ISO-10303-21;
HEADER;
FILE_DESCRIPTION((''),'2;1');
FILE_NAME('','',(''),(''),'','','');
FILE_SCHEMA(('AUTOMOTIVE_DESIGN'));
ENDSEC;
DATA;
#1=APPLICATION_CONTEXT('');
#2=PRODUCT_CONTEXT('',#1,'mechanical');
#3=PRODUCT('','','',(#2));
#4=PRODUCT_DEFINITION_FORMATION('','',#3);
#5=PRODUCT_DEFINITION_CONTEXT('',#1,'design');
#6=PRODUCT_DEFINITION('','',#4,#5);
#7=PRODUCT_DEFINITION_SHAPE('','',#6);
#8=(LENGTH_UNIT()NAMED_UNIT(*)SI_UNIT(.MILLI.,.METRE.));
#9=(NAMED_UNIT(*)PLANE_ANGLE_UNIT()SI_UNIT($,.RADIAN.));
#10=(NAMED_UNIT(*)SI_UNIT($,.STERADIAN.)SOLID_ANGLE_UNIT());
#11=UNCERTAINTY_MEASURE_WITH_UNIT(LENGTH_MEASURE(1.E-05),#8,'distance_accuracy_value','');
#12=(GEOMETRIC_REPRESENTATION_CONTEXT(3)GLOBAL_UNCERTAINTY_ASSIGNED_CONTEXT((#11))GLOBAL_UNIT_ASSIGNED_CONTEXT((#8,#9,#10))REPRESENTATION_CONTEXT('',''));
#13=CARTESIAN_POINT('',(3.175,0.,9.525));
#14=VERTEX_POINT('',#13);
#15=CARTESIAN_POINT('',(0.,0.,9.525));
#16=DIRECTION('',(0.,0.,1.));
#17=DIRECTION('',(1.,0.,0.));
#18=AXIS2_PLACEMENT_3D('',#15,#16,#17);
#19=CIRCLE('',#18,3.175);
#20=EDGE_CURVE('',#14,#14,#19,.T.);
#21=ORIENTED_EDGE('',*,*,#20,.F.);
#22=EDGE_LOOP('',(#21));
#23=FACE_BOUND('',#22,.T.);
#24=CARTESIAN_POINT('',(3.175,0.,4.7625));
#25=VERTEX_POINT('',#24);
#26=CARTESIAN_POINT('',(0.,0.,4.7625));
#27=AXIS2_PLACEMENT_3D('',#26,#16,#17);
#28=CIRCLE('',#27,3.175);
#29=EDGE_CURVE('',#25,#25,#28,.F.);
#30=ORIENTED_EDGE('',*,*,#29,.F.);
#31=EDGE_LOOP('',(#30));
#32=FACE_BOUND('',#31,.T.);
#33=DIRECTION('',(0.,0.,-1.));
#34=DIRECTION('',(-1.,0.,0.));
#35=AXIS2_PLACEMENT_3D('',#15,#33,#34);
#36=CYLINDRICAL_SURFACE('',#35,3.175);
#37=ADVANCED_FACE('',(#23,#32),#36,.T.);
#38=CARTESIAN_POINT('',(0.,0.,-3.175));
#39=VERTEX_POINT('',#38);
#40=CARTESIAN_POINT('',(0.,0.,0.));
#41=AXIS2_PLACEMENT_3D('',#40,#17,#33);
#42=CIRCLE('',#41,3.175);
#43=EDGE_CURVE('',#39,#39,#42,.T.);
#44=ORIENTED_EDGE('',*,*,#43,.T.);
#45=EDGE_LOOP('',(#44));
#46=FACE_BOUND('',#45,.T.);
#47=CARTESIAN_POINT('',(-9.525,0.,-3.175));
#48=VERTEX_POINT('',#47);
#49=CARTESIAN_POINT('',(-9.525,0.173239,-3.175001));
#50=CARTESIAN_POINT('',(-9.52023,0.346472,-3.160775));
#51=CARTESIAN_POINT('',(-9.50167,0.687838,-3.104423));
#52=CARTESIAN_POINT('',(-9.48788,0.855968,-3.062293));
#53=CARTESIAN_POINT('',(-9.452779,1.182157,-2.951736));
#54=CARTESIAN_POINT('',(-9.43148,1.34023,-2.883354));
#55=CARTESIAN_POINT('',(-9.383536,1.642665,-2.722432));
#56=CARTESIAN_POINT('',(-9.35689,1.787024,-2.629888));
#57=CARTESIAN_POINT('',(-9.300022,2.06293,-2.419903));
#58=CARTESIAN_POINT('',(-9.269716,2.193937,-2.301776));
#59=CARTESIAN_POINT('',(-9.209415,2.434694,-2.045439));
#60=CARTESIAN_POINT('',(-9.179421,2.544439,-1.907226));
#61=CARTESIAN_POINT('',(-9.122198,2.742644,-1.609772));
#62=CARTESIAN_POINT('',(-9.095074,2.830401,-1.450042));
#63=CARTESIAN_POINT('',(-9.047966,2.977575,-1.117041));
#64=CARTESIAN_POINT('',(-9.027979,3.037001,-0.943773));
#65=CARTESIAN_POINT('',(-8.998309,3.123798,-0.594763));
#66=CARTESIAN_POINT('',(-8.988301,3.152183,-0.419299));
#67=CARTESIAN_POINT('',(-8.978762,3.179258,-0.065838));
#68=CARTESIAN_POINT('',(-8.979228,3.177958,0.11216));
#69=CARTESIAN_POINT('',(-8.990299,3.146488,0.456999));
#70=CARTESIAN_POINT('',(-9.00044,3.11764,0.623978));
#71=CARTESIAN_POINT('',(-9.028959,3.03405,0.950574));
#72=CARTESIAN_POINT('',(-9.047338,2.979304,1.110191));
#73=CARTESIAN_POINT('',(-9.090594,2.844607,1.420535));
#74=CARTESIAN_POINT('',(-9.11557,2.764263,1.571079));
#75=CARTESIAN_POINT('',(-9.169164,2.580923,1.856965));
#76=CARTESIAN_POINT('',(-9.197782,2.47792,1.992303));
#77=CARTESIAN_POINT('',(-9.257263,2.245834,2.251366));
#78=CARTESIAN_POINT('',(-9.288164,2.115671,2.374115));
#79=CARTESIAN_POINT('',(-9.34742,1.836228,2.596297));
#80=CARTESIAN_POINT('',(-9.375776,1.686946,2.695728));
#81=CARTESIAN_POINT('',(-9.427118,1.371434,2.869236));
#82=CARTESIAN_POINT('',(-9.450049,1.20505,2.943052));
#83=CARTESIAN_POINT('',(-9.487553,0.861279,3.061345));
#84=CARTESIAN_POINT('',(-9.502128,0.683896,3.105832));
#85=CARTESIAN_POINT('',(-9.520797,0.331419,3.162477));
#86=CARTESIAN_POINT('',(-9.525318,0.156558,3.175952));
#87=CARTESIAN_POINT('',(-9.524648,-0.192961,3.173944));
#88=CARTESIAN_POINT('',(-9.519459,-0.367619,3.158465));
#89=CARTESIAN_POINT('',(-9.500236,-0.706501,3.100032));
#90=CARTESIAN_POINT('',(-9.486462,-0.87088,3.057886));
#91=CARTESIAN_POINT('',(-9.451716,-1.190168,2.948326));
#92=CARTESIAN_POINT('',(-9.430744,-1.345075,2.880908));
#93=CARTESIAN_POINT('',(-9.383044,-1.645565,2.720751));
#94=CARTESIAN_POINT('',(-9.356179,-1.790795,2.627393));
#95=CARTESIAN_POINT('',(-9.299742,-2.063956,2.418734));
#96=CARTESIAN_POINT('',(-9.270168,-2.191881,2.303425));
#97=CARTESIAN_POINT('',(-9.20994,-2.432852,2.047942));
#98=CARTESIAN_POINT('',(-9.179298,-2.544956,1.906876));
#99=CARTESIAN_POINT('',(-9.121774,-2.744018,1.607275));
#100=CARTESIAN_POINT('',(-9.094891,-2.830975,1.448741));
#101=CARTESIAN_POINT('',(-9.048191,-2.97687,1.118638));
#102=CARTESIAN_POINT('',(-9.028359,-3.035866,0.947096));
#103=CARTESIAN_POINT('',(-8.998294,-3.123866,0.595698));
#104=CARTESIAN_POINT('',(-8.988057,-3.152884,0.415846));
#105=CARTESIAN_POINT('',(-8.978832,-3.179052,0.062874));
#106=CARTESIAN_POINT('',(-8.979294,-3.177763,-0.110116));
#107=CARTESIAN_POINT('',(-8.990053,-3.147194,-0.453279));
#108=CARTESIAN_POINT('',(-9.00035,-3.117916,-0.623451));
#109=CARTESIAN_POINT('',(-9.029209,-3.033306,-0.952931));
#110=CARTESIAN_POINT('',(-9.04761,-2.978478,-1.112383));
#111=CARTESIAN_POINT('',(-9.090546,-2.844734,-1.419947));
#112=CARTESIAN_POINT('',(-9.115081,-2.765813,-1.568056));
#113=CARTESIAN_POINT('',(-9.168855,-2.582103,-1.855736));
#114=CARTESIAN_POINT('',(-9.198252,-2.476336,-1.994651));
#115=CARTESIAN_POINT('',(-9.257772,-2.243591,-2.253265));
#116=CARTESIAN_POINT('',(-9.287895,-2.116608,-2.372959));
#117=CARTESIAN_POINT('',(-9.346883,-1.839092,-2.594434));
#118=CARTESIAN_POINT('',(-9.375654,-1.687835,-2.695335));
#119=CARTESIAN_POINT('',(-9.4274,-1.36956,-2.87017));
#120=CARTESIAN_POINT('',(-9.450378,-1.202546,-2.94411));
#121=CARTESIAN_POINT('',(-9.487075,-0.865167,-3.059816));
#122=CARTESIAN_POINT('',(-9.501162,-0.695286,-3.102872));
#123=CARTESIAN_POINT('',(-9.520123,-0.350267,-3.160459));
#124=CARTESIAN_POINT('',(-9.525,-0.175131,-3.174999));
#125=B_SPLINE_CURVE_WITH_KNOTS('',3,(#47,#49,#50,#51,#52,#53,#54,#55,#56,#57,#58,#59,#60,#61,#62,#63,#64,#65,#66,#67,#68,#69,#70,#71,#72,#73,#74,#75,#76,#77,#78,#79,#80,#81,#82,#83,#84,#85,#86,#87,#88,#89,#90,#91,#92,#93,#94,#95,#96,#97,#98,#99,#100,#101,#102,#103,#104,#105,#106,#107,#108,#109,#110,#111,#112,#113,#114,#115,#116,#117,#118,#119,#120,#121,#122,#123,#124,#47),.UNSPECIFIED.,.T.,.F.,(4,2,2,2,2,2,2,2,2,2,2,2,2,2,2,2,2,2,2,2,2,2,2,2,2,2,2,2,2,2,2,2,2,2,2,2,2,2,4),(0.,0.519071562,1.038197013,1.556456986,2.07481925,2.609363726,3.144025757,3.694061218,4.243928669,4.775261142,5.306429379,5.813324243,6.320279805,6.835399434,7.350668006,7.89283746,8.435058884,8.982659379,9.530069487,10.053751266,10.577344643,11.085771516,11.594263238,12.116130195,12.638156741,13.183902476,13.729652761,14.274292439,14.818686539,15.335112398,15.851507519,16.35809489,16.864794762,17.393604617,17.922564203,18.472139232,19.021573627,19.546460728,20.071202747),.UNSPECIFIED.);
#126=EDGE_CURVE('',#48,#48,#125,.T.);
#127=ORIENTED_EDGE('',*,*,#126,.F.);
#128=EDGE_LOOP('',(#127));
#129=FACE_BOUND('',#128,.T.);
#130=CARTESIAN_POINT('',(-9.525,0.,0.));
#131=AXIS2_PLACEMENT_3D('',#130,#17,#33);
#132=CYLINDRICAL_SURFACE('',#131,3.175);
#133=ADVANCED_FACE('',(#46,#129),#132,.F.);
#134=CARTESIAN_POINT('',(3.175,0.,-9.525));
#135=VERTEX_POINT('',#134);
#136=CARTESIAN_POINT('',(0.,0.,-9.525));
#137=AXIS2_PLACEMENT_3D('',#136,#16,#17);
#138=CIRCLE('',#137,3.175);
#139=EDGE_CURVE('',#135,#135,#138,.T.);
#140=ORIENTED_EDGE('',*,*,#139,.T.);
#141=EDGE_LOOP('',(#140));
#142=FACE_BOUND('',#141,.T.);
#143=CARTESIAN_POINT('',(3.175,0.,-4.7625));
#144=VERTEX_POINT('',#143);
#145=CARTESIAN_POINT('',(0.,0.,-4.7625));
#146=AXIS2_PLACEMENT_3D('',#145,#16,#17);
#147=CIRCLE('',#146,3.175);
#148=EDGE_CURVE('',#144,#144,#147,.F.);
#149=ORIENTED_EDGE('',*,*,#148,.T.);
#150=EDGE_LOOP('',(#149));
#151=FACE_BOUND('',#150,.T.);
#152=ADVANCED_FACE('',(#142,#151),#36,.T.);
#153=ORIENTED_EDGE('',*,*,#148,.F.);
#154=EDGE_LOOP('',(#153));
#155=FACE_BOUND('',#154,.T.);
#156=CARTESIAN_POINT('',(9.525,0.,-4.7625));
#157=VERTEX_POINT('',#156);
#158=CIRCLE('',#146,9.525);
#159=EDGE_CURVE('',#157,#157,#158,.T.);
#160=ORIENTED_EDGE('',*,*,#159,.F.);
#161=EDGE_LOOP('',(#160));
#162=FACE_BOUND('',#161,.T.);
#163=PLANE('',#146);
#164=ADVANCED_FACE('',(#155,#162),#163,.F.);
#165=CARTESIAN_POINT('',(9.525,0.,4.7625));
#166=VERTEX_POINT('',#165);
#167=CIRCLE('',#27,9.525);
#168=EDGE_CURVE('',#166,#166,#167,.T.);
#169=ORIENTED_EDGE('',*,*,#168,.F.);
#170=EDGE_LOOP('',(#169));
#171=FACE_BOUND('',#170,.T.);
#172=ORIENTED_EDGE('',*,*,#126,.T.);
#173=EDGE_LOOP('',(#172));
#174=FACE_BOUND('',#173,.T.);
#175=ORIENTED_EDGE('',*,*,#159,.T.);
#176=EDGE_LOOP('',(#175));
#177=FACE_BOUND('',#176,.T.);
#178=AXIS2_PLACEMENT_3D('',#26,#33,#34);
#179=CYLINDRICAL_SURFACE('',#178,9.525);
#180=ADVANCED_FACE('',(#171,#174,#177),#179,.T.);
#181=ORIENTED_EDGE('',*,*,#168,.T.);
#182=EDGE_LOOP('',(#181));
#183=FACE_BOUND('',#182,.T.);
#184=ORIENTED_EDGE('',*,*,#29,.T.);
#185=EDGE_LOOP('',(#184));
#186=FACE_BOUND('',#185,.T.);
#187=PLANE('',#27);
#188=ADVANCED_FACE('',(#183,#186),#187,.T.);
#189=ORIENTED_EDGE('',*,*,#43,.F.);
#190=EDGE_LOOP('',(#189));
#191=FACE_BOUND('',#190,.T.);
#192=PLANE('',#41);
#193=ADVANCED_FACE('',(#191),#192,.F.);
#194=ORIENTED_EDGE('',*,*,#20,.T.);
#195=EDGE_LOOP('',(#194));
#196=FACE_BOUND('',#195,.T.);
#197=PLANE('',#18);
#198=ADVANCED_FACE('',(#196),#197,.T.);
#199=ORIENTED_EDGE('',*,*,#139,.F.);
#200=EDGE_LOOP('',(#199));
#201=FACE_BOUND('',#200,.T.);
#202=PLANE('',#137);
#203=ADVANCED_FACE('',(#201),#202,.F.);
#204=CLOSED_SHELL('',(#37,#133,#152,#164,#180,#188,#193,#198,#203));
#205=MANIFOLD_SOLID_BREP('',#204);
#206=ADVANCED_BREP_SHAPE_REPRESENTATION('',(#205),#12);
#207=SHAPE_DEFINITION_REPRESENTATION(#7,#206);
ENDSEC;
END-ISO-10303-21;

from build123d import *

# Parameters (mm, degrees)
SKETCH2_R           = 9.525
BOSS_EXTRUDE2_DEPTH = 4.7625
SKETCH5_R           = 3.175
BOSS_EXTRUDE3_DEPTH = 9.525
SKETCH6_R           = 3.175
CUT_EXTRUDE3_DEPTH  = 10.525


with BuildPart() as part:
    # Sketch2 → Boss-Extrude2 (new body, symmetric)
    with BuildSketch(Plane.XY):
        Circle(SKETCH2_R)
    extrude(amount=BOSS_EXTRUDE2_DEPTH, both=True)

    # Sketch5 → Boss-Extrude3 (add, symmetric)
    with BuildSketch(Plane.XY):
        Circle(SKETCH5_R)
    extrude(amount=BOSS_EXTRUDE3_DEPTH, both=True)

    # Sketch6 → Cut-Extrude3 (cut, through all)
    with BuildSketch(Plane(origin=(0, 0, 0), x_dir=(0, 0, -1), z_dir=(1, 0, 0))):
        Circle(SKETCH6_R)
    extrude(amount=-CUT_EXTRUDE3_DEPTH, mode=Mode.SUBTRACT)


solid = part.part
